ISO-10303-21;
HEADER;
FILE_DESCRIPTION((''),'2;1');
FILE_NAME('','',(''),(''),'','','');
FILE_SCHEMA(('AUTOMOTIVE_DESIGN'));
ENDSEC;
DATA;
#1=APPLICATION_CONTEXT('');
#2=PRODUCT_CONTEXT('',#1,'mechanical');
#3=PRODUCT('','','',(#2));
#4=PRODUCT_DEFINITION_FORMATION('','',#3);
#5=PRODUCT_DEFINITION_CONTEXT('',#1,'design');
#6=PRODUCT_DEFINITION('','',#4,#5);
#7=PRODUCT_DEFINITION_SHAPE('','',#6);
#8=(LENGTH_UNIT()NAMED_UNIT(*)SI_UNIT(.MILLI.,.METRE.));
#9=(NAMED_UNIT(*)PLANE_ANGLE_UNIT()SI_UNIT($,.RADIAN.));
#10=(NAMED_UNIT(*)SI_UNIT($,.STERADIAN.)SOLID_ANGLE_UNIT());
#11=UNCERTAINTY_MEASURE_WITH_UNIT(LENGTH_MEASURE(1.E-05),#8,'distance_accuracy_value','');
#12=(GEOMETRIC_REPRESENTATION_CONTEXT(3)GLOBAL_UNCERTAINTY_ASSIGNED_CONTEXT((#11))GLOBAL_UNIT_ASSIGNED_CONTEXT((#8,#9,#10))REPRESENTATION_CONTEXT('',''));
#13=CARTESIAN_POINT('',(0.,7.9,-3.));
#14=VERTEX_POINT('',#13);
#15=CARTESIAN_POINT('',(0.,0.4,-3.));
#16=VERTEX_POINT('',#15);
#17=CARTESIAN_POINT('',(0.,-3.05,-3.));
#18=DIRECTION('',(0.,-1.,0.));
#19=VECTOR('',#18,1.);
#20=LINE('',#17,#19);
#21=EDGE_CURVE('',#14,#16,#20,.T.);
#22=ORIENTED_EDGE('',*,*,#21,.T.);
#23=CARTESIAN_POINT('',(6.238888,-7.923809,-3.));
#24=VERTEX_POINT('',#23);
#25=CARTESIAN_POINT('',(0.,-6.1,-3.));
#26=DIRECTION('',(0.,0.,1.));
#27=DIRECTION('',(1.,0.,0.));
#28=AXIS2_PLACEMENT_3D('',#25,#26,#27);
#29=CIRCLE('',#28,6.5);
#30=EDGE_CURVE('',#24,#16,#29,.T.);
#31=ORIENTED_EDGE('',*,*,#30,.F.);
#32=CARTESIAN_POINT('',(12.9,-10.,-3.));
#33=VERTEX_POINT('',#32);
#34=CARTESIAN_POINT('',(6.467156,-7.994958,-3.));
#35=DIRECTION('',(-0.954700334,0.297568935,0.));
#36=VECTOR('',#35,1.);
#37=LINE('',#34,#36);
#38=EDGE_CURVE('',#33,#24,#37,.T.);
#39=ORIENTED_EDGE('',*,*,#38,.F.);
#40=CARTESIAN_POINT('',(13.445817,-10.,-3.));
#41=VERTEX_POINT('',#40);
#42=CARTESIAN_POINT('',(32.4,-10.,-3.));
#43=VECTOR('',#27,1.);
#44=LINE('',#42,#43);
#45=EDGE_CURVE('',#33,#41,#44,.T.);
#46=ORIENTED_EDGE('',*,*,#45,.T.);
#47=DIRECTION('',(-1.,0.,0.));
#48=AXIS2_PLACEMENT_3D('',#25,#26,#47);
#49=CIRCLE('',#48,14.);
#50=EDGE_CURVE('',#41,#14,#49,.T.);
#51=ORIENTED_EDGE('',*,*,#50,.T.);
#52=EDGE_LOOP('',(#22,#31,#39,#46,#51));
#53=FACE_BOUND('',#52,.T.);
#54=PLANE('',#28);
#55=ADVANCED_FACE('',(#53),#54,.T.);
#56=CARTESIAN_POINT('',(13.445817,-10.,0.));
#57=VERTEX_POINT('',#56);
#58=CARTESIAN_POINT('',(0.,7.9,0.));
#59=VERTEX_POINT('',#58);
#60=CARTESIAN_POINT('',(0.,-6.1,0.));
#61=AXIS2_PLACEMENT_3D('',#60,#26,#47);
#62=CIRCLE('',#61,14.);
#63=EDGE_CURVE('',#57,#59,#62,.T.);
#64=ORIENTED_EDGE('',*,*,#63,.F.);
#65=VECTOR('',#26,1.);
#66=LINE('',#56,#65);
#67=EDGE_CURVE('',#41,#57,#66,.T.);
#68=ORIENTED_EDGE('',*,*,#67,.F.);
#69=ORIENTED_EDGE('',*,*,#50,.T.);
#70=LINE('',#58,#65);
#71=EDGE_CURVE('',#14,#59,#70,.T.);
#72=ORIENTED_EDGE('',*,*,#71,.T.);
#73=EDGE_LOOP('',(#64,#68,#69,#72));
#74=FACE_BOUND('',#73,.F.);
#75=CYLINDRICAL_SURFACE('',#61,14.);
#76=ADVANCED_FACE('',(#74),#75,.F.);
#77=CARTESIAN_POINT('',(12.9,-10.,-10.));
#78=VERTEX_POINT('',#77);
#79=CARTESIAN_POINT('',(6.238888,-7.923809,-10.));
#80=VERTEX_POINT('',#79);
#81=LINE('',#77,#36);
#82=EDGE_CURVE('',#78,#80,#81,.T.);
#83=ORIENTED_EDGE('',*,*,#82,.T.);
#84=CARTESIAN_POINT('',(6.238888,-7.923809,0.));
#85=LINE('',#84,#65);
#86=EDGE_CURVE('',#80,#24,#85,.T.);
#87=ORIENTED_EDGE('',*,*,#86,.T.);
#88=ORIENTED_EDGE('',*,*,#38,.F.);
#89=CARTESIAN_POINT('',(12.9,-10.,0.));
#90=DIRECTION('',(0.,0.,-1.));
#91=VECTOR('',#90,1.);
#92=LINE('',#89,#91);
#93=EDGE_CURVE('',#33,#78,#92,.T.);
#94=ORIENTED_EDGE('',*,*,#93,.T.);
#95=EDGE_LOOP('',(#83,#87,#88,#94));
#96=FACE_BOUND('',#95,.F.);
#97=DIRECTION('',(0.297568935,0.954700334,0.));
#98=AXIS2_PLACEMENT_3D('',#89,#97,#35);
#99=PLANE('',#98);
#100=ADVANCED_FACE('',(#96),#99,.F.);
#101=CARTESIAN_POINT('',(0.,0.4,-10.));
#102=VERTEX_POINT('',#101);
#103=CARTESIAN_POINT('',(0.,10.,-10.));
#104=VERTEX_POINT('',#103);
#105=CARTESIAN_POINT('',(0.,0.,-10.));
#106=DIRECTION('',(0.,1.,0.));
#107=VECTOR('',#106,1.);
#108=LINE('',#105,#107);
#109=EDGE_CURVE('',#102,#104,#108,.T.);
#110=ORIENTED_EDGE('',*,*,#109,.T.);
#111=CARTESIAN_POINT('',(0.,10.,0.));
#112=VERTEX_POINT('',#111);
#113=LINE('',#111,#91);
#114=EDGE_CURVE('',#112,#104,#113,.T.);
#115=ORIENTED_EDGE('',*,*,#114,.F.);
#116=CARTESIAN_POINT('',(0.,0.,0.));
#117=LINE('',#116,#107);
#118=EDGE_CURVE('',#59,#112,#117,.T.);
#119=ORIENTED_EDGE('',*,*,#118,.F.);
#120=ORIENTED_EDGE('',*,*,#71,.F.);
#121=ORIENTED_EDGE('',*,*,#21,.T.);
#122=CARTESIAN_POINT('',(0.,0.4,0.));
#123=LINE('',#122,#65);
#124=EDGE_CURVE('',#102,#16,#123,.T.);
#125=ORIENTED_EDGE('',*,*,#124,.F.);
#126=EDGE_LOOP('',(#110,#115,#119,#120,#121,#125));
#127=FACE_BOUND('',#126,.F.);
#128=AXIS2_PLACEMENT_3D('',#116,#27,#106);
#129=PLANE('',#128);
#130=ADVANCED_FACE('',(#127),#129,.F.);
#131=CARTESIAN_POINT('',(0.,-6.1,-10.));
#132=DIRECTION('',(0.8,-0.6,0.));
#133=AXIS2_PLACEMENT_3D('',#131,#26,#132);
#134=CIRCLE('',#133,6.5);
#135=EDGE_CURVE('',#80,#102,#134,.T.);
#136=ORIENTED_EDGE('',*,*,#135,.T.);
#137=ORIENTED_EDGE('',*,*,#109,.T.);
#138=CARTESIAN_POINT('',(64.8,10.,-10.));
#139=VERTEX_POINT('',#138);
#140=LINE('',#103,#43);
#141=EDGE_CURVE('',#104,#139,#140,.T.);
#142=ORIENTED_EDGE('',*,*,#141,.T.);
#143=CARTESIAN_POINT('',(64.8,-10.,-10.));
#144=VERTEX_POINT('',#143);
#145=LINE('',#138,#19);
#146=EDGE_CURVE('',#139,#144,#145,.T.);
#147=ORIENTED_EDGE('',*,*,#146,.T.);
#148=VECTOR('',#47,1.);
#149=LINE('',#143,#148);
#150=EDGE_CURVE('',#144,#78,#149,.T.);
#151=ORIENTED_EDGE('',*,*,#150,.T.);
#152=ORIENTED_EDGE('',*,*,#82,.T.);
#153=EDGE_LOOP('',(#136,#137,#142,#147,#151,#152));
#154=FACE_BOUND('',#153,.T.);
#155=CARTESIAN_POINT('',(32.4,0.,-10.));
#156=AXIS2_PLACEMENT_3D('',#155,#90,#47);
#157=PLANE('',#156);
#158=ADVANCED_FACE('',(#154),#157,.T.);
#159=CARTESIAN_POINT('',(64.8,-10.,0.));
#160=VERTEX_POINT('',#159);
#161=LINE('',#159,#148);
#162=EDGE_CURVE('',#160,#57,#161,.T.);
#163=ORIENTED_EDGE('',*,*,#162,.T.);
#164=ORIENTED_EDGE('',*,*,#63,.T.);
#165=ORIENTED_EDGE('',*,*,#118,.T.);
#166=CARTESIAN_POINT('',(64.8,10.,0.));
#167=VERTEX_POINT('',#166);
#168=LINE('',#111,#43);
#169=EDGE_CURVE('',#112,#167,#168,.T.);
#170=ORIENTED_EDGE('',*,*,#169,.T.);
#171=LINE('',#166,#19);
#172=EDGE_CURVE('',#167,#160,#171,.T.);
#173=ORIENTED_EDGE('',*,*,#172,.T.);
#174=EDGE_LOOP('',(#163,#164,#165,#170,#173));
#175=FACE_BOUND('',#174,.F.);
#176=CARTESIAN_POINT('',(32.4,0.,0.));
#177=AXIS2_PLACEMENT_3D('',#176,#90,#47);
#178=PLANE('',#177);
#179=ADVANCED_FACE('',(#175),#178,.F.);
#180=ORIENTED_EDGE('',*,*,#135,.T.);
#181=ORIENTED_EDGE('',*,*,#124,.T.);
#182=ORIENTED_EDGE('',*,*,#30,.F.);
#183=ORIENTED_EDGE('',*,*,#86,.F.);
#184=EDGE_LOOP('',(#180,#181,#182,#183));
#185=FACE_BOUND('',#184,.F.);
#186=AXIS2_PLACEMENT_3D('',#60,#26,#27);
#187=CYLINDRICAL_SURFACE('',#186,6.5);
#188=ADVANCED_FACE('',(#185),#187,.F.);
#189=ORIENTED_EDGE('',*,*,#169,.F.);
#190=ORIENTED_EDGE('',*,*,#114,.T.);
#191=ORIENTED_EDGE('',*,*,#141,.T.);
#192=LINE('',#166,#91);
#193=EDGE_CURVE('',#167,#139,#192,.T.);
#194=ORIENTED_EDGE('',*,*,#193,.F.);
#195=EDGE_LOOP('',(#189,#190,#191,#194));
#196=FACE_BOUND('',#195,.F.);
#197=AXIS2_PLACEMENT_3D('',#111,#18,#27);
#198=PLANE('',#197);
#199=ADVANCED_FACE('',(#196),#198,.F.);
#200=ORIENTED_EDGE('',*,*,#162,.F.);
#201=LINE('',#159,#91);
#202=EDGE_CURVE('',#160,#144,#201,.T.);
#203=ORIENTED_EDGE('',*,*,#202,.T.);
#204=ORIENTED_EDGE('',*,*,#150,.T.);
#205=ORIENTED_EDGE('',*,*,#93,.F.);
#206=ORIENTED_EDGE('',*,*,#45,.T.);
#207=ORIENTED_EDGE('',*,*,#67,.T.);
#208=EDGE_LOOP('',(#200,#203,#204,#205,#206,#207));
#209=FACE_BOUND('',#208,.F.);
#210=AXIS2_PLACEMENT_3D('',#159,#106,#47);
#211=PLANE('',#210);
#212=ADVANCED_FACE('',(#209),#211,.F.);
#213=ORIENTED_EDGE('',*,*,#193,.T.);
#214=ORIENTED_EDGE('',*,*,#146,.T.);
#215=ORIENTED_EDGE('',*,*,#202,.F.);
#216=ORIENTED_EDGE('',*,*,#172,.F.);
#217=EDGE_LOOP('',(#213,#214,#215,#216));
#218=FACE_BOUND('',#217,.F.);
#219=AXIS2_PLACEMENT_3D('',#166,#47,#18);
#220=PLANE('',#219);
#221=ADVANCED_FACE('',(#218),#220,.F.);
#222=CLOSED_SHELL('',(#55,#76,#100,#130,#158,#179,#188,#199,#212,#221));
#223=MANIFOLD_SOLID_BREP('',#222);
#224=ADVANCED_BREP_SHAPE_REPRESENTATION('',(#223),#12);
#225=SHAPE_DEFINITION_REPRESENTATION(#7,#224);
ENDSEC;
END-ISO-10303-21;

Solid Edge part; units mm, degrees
sketch "Sketch1" plane through (0, 0, 0) normal (0, 0, 1) x (1, 0, 0)
  line L0 (0, 0) -> (0, 10)
  line L1 (0, 10) -> (64.8, 10)
  line L2 (64.8, 10) -> (64.8, -10)
  line L3 (64.8, -10) -> (0, -10)
  line L4 (0, -10) -> (0, 0)
extrude "Protrusion1" add sketch "Sketch1" against normal blind 10
sketch "Sketch2" plane through (32.4, 0, 0) normal (0, 0, 1) x (1, 0, 0)
  circle A0 centre (-32.4, -6.1) radius 6.5
extrude "Recorte_Extrudado_1" cut sketch "Sketch2" against normal blind 10
sketch "Sketch3" plane through (32.4, 0, 0) normal (0, 0, 1) x (-1, 0, 0)
  circle A0 centre (32.4, 6.1) radius 14
extrude "Recorte_Extrudado_2" cut sketch "Sketch3" against normal blind 3
sketch "Sketch4" plane through (32.4, 0, 0) normal (0, 0, 1) x (1, 0, 0)
  line L0 (-27.2, -10) -> (-27.2, -7.6)
  line L1 (-19.5, -10) -> (-27.2, -7.6)
  line L2 (-27.2, -10) -> (-19.5, -10)
extrude "Recorte_Extrudado_3" cut sketch "Sketch4" against normal blind 10
